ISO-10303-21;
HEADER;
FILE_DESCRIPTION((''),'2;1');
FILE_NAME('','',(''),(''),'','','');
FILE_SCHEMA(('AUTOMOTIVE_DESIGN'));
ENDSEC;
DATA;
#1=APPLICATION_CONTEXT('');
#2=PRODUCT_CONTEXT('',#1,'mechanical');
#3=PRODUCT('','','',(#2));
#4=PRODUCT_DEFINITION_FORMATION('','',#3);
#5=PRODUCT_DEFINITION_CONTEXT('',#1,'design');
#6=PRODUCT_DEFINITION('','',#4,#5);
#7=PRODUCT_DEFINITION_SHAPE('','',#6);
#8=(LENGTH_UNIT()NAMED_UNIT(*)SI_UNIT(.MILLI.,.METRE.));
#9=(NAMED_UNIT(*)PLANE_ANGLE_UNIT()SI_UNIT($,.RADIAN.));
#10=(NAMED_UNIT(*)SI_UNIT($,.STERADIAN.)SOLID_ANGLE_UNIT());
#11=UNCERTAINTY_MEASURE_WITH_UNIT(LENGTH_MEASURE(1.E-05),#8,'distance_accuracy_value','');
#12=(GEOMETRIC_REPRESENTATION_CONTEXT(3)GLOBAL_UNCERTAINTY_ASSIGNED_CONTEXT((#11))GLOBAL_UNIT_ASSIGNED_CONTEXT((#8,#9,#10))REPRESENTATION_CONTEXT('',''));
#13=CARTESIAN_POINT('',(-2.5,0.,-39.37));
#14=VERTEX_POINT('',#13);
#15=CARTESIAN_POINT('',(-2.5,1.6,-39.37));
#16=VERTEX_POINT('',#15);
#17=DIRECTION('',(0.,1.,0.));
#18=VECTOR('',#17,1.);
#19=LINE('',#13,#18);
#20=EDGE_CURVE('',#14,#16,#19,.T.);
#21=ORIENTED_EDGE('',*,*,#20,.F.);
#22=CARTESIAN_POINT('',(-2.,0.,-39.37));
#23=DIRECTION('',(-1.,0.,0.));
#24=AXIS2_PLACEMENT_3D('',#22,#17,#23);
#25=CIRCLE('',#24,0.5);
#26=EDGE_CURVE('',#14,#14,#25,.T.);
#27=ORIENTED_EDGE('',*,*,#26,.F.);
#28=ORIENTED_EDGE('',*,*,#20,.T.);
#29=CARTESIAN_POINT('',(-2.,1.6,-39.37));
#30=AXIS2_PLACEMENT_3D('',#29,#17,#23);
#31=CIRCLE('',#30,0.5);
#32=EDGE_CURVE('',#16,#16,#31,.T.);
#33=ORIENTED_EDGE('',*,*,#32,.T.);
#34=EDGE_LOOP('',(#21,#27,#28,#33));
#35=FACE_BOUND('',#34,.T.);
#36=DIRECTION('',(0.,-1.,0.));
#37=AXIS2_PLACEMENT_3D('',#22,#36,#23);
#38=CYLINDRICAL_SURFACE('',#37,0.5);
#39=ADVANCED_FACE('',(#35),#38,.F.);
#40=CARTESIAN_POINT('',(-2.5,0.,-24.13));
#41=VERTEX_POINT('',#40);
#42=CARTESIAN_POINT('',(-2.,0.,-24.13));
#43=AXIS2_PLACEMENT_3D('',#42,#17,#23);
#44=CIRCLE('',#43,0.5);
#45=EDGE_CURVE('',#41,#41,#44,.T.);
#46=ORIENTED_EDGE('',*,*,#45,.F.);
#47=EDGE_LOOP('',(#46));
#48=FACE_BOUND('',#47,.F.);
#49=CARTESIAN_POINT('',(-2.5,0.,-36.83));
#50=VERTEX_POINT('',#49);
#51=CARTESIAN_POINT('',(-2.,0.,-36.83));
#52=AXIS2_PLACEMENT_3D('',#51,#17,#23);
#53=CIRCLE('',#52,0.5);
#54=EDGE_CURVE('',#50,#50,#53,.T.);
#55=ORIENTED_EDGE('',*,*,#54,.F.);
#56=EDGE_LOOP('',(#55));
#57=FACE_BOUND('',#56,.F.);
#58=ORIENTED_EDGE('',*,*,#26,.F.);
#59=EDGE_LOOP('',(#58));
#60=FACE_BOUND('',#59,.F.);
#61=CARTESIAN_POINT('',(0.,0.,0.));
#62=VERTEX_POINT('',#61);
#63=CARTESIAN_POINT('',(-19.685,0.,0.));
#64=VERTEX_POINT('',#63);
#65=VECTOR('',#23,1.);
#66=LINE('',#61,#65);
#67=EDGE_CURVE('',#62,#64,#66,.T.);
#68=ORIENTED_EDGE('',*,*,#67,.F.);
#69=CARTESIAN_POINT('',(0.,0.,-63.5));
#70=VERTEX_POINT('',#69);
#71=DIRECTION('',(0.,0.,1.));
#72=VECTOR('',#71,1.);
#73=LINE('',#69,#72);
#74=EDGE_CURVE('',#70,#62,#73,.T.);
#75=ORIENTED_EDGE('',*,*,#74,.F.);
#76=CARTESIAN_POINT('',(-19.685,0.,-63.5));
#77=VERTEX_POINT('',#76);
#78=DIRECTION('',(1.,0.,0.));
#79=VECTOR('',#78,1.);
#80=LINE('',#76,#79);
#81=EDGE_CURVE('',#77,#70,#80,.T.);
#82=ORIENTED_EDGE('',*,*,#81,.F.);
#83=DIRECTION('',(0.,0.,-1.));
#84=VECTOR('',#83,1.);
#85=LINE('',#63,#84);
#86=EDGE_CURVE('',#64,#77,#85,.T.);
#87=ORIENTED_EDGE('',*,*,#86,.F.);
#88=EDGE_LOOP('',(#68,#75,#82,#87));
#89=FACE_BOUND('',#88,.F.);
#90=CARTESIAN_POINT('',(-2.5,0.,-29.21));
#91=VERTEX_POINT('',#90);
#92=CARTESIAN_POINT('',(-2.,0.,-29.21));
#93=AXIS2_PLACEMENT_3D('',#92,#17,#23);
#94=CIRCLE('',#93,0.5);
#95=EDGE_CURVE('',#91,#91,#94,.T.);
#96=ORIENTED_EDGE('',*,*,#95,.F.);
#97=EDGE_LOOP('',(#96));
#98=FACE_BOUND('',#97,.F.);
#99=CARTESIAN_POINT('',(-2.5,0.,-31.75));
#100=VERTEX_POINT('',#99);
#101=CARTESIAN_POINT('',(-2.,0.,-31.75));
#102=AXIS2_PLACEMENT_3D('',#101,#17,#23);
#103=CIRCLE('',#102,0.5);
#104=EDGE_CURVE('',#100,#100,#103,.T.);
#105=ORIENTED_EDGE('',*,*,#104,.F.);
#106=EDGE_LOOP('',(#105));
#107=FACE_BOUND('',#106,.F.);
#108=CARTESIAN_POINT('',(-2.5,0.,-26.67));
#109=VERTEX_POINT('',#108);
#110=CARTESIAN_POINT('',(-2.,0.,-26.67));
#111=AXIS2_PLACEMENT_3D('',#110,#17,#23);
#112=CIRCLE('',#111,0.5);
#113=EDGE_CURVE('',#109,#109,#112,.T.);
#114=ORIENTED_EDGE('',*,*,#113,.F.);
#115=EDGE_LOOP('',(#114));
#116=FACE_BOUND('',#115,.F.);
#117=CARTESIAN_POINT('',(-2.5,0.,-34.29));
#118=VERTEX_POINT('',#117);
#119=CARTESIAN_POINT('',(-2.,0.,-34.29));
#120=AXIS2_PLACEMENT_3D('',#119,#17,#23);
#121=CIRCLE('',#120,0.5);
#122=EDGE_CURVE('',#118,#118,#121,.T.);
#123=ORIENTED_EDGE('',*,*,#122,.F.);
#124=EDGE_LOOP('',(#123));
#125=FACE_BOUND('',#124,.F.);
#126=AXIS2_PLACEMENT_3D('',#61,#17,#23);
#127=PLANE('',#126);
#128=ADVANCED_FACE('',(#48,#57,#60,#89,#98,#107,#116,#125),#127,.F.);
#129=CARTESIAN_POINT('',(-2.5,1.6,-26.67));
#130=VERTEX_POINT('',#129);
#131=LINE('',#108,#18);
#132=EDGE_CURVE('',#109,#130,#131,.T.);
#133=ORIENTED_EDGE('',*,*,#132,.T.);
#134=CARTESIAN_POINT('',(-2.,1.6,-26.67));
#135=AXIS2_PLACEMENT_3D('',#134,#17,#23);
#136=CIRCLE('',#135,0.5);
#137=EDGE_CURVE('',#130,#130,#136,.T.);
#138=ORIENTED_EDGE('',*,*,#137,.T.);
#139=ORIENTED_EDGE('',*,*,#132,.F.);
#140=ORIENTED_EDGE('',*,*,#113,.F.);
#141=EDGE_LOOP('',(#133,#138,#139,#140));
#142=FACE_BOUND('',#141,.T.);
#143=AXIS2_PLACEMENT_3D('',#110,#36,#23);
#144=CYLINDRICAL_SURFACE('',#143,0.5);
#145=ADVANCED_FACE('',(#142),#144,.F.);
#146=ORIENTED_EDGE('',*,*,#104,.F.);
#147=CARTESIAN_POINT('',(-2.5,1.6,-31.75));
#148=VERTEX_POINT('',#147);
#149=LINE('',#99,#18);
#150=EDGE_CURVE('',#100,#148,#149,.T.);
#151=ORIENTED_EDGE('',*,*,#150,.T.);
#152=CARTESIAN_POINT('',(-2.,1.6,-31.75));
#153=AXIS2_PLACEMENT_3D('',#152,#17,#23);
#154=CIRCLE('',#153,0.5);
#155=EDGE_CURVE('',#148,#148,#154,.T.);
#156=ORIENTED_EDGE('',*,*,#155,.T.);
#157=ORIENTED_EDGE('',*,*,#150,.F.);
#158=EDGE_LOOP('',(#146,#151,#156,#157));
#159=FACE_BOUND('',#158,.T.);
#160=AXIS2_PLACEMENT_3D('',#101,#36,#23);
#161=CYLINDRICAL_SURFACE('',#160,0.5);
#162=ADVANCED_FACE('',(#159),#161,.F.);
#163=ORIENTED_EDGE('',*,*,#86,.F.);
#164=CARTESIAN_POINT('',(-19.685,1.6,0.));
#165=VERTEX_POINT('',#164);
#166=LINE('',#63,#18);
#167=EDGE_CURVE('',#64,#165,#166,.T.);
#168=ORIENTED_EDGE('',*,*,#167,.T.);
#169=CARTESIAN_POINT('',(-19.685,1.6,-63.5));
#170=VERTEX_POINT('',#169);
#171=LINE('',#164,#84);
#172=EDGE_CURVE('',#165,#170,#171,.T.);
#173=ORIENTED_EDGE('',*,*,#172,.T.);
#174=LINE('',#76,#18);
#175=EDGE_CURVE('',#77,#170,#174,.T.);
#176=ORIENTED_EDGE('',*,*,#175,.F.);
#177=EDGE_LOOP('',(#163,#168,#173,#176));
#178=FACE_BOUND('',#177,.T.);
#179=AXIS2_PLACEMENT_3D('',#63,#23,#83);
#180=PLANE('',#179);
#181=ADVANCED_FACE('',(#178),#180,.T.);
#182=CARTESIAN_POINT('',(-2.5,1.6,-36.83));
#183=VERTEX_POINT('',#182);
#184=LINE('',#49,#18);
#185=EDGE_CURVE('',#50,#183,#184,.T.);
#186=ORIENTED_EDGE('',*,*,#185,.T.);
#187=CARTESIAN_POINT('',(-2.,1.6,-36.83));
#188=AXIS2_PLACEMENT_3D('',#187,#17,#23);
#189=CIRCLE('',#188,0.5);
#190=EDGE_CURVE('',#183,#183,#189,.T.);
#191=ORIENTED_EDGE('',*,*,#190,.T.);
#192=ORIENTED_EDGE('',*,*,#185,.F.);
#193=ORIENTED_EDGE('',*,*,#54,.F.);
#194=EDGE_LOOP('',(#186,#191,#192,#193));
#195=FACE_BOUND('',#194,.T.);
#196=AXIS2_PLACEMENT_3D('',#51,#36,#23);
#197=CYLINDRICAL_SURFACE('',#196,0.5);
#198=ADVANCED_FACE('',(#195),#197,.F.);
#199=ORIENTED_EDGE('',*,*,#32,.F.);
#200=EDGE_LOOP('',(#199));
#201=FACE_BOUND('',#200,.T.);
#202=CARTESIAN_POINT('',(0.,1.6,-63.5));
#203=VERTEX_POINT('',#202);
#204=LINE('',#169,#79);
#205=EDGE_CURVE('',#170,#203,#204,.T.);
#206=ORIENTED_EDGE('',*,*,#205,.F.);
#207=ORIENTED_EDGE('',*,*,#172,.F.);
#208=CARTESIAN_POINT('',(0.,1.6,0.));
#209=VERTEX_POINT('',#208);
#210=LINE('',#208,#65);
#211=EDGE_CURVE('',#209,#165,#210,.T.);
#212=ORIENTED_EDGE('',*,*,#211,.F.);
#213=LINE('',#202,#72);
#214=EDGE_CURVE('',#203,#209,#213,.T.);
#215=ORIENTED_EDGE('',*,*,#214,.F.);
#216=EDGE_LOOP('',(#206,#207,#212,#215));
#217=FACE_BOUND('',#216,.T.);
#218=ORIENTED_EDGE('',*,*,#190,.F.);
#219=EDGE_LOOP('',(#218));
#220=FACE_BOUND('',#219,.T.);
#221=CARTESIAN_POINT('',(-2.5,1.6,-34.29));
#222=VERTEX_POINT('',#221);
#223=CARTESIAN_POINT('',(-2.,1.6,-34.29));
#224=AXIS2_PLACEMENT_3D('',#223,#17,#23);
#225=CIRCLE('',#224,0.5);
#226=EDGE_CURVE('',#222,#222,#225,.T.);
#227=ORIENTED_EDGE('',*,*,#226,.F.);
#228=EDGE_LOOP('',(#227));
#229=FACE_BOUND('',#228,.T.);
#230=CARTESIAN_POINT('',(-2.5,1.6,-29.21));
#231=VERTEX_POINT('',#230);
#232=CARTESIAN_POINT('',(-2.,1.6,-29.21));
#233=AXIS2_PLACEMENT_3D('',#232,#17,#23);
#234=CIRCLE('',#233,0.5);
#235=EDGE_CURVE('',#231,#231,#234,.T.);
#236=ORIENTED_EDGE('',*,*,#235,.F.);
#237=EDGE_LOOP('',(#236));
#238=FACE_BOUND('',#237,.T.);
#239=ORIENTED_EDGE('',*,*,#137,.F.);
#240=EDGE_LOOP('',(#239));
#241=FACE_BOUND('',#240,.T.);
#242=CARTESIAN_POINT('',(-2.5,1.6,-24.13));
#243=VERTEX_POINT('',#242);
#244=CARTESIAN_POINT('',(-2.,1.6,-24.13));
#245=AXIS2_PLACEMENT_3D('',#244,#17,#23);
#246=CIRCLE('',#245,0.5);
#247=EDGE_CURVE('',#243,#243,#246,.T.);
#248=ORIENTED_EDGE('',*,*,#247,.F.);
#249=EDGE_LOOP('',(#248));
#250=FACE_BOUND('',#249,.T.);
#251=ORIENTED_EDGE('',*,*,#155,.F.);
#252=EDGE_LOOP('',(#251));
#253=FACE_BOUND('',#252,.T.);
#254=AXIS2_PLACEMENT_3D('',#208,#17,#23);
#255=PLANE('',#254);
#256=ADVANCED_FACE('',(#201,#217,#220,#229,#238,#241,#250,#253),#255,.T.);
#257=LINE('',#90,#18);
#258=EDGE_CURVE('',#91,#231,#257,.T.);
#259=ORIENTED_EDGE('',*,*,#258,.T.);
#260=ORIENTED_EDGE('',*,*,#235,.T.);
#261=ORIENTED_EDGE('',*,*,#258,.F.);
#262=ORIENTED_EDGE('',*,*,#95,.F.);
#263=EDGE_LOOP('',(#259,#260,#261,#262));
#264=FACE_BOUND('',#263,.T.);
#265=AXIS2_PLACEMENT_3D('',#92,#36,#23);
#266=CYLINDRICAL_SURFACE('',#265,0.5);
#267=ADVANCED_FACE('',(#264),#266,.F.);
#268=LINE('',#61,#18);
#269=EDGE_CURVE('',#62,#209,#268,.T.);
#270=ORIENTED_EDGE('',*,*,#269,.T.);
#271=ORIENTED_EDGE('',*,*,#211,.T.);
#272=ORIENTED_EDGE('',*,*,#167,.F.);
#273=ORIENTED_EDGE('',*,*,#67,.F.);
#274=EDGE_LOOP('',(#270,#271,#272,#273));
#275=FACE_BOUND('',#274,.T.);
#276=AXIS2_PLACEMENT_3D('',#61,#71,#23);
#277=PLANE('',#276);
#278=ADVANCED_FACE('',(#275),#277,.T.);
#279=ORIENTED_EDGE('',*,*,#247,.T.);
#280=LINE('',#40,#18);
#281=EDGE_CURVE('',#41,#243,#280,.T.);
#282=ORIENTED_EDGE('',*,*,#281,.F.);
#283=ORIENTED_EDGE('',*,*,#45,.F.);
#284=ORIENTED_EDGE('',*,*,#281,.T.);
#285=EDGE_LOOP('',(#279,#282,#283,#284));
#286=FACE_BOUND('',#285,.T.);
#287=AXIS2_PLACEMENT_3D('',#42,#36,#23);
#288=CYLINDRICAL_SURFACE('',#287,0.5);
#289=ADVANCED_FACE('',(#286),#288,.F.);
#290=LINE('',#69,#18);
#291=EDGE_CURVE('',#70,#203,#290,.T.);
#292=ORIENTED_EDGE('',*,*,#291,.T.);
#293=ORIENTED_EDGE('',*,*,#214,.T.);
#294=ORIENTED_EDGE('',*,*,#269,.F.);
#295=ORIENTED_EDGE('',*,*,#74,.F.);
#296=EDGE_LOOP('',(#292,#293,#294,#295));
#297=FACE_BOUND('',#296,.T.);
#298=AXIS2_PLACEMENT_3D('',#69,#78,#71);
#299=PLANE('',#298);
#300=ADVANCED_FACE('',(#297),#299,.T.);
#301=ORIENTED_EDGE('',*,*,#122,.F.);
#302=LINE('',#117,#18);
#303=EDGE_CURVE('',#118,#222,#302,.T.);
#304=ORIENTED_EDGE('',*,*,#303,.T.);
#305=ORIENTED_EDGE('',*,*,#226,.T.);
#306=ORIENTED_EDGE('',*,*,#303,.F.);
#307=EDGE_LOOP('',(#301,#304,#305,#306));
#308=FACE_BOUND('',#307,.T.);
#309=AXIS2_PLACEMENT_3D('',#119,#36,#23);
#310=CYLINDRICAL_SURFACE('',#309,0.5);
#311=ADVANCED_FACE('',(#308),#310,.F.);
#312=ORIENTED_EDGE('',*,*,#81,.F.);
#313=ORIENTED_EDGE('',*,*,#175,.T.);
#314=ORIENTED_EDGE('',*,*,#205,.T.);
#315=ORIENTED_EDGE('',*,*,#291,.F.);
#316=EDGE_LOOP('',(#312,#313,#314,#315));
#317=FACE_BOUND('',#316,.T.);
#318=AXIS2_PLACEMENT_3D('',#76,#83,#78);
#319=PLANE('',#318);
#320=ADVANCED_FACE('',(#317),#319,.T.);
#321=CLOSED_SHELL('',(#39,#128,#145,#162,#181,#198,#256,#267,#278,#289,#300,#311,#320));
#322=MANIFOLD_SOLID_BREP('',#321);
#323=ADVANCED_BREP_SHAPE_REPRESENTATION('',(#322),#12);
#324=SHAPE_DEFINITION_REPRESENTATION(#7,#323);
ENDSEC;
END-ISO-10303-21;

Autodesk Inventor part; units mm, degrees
ref_plane "YZ Plane" through (0, 0, 0) normal (1, 0, 0) x (0, 1, 0)
ref_plane "XZ Plane" through (0, 0, 0) normal (0, 1, 0) x (-1, 0, 0)
ref_plane "XY Plane" through (0, 0, 0) normal (0, 0, 1) x (1, 0, 0)
sketch "Sketch1" plane through (0, 0, 0) normal (0, 1, 0) x (-1, 0, 0)
  line L0 (0, 0) -> (19.685, 0)
  line L1 (19.685, 0) -> (19.685, -63.5)
  line L2 (19.685, -63.5) -> (0, -63.5)
  line L3 (0, -63.5) -> (0, 0)
  circle A0 centre (2, -24.13) radius 0.5
  circle A1 centre (2, -26.67) radius 0.5
  circle A2 centre (2, -29.21) radius 0.5
  circle A3 centre (2, -31.75) radius 0.5
  circle A4 centre (2, -34.29) radius 0.5
  circle A5 centre (2, -36.83) radius 0.5
  circle A6 centre (2, -39.37) radius 0.5
  dimension "d0" = 19.685
  dimension "d1" = 63.5
  dimension "d4" = 1
  dimension "d5" = 1
  dimension "d6" = 1
  dimension "d7" = 1
  dimension "d8" = 1
  dimension "d9" = 1
  dimension "d10" = 2.54
  dimension "d11" = 2.54
  dimension "d12" = 2.54
  dimension "d13" = 2.54
  dimension "d14" = 2.54
  dimension "d19" = 2
  dimension "d20" = 1
  dimension "d21" = 2.54
  dimension "d22" = 31.75
extrude "Extrusion3" add sketch "Sketch1" along normal blind 1.6
sketch "Sketch2" plane through (0, 0, 0) normal (0, -1, 0) x (1, 0, 0)
  circle A0 centre (-2, -24.13) radius 0.5 projected
sketch "Sketch3" plane through (0, 0, 0) normal (0, -1, 0) x (1, 0, 0)
  circle A0 centre (-2, -26.67) radius 0.5 projected
sketch "Sketch4" plane through (0, 0, 0) normal (0, -1, 0) x (1, 0, 0)
  circle A0 centre (-2, -29.21) radius 0.5 projected
sketch "Sketch5" plane through (0, 0, 0) normal (0, -1, 0) x (1, 0, 0)
  circle A0 centre (-2, -31.75) radius 0.5 projected
sketch "Sketch6" plane through (0, 0, 0) normal (0, -1, 0) x (1, 0, 0)
  circle A0 centre (-2, -34.29) radius 0.5 projected
sketch "Sketch7" plane through (0, 0, 0) normal (0, -1, 0) x (1, 0, 0)
  circle A0 centre (-2, -36.83) radius 0.5 projected
sketch "Sketch8" plane through (0, 0, 0) normal (0, -1, 0) x (1, 0, 0)
  circle A0 centre (-2, -39.37) radius 0.5 projected
properties part number "pcb"
